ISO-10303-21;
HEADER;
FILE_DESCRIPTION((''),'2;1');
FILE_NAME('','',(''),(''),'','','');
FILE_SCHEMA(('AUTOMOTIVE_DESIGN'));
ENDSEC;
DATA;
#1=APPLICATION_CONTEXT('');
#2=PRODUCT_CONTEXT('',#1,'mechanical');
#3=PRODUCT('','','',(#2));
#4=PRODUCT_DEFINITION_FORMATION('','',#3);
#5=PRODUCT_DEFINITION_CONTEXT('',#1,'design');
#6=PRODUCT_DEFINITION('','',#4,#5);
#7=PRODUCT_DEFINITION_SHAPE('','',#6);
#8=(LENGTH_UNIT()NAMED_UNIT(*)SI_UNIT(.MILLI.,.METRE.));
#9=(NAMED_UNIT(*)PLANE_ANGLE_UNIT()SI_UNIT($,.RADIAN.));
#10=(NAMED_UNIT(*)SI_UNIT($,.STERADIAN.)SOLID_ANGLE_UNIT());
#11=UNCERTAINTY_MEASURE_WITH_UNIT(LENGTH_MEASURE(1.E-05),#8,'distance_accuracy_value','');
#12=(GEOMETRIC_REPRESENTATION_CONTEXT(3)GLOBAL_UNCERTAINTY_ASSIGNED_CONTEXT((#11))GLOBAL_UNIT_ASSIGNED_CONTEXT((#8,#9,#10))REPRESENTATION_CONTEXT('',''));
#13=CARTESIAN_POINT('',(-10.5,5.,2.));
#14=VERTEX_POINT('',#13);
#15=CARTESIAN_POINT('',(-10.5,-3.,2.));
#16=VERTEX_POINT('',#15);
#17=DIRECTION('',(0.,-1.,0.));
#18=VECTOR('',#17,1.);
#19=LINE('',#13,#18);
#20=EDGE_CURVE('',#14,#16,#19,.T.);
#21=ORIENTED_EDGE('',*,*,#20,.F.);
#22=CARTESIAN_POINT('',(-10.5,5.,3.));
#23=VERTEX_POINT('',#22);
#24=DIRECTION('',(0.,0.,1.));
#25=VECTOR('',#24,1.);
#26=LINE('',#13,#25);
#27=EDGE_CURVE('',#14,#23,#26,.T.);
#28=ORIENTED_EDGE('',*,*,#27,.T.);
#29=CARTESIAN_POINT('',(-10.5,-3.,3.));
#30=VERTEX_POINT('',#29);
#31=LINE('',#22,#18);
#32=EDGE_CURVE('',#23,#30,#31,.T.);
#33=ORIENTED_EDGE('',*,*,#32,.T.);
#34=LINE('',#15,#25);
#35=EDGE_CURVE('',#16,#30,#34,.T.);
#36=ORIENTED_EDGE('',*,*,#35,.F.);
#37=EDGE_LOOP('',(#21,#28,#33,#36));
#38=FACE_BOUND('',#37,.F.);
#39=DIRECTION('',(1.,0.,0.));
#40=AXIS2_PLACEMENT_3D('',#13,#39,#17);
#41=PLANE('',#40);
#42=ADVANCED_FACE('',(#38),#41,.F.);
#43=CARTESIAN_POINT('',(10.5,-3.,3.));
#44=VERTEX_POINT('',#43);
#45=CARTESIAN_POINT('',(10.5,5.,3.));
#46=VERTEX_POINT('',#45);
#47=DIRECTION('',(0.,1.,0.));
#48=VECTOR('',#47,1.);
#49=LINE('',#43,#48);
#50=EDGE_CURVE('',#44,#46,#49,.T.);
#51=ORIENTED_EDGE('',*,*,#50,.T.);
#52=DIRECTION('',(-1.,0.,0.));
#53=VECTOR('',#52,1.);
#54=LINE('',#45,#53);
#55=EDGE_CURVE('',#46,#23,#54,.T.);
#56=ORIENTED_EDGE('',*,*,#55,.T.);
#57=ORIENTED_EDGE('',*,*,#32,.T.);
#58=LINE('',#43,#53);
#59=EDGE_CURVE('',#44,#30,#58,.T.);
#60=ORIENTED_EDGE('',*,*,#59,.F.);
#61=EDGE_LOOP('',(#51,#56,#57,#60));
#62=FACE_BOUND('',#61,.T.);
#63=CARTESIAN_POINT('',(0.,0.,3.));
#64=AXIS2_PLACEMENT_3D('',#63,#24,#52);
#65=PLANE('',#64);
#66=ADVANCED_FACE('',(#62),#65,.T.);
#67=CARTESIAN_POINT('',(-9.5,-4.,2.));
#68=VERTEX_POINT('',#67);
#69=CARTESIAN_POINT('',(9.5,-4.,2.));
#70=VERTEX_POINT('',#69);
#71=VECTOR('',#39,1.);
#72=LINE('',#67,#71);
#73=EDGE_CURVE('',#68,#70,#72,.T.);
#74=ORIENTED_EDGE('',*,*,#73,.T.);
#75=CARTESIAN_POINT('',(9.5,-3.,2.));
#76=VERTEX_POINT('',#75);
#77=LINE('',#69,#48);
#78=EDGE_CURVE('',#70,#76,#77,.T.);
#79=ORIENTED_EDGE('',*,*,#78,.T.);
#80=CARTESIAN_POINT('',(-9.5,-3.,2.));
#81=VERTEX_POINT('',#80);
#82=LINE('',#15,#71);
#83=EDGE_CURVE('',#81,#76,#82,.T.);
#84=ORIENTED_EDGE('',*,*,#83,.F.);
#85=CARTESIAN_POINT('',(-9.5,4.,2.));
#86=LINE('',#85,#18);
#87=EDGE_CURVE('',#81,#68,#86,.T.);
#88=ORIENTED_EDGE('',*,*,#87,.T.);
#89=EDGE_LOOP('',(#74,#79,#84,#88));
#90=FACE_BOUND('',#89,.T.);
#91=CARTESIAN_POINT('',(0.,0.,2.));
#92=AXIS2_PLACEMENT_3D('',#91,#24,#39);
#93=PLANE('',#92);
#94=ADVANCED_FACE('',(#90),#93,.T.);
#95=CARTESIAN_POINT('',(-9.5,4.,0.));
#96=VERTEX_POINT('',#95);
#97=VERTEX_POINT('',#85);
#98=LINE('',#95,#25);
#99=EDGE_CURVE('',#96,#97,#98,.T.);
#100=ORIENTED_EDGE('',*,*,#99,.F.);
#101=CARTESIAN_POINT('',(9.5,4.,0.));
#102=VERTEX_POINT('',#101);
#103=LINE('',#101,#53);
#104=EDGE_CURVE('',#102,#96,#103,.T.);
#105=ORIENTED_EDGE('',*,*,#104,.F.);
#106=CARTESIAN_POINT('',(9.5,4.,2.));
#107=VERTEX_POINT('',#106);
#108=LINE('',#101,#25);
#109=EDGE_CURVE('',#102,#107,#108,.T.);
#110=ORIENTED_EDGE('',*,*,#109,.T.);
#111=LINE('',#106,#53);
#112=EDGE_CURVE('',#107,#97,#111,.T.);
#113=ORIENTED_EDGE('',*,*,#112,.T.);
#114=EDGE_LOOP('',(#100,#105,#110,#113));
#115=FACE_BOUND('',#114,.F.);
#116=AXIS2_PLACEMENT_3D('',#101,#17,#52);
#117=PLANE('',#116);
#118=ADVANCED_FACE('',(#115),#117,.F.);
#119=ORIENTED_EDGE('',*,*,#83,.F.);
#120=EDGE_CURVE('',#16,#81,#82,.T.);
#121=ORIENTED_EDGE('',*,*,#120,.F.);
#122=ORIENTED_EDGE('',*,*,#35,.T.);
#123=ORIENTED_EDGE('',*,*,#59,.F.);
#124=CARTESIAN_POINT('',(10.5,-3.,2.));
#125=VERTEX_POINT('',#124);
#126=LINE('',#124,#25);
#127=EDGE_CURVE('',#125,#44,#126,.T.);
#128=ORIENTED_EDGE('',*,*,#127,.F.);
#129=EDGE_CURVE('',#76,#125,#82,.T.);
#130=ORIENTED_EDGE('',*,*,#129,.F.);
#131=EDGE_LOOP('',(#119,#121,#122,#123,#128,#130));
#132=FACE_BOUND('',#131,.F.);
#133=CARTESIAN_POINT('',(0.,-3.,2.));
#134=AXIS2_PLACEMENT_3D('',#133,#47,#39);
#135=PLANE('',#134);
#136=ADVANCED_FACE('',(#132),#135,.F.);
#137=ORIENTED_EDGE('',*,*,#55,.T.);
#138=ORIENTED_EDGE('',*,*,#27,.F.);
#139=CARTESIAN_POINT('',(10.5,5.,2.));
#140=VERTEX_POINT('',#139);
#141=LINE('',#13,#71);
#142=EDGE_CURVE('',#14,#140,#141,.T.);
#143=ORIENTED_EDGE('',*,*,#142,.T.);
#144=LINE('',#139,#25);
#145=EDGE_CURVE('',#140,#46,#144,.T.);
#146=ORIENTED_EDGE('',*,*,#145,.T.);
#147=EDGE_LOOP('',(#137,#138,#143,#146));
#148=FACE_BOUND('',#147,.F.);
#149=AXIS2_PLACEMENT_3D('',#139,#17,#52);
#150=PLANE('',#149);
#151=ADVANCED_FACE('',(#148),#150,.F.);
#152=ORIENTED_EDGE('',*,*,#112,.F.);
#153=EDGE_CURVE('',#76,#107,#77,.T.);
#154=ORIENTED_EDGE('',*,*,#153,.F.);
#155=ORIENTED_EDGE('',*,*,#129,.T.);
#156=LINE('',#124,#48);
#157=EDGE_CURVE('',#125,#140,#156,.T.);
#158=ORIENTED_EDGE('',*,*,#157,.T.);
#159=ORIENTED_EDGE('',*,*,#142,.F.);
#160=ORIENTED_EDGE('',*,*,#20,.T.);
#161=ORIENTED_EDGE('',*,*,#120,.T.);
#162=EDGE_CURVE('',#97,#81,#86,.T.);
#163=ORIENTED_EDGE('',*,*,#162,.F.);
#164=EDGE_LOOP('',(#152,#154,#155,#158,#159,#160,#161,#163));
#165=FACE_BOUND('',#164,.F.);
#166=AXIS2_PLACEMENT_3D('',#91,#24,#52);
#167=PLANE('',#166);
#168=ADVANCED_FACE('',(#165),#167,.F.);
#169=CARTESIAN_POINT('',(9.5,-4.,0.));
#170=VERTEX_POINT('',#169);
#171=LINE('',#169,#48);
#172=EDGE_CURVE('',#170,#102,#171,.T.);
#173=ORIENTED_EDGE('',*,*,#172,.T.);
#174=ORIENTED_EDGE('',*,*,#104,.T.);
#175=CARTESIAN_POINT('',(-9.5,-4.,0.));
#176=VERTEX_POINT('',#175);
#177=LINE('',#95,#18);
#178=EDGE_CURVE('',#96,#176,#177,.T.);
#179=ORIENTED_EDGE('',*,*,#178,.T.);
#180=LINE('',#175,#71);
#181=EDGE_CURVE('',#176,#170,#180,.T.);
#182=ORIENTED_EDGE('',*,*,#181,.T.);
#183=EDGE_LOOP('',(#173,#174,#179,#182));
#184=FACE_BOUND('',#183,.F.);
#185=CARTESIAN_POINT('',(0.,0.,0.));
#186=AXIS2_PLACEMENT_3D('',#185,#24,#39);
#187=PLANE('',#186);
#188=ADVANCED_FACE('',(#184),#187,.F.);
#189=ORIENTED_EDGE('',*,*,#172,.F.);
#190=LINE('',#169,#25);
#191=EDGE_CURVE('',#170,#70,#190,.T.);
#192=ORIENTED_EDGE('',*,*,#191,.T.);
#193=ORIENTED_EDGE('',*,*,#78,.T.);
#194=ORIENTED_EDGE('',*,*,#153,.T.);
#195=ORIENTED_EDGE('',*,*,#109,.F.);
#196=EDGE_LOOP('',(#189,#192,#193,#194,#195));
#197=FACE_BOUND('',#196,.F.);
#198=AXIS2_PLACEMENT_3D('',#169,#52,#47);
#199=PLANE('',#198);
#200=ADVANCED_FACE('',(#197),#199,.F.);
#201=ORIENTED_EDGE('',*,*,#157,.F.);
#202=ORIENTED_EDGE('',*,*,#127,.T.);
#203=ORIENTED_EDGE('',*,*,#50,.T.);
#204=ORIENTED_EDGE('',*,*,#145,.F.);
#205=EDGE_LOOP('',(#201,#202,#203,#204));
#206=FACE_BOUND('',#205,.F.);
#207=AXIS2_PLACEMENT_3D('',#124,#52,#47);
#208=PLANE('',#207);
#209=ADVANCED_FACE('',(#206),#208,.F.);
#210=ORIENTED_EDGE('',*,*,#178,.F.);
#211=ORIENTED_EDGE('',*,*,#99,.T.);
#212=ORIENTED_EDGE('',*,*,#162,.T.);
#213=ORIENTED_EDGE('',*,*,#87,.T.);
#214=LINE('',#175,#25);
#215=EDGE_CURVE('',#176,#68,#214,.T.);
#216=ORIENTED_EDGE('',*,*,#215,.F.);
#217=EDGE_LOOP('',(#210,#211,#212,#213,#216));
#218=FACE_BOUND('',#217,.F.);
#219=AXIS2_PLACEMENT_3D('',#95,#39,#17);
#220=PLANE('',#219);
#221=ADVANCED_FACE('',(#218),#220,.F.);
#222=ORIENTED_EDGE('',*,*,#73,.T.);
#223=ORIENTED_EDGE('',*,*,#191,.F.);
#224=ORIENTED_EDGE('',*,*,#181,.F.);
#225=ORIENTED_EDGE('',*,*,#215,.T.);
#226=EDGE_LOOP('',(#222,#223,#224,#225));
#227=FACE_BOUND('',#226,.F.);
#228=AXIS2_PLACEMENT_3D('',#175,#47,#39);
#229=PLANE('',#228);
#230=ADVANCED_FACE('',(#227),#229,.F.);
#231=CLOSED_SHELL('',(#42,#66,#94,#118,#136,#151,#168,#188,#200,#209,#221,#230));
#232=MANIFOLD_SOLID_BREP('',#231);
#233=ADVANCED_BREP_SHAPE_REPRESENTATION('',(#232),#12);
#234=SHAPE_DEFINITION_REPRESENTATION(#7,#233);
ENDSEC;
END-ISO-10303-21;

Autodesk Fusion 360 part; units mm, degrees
sketch "Sketch1" plane through (0, 0, 0) normal (0, 0, 1) x (1, 0, 0)
  line L0 (9.5, 4) -> (-9.5, 4)
  line L1 (-9.5, 4) -> (-9.5, -4)
  line L2 (-9.5, -4) -> (9.5, -4)
  line L3 (9.5, -4) -> (9.5, 4)
  line L4 (9.5, 4) -> (-9.5, -4) construction
  line L5 (-9.5, 4) -> (9.5, -4) construction
  dimension "d1" = 19
  dimension "d2" = 8
extrude "Extrude1" add sketch "Sketch1" along normal blind 2
sketch "Sketch2" plane through (0, 0, 2) normal (0, 0, 1) x (-1, 0, 0)
  line L0 (-9.5, 4) -> (-9.5, -4)
  line L1 (-9.5, -4) -> (9.5, -4)
  line L2 (9.5, -4) -> (9.5, 4)
  line L3 (9.5, 4) -> (-9.5, 4)
  line L4 (0, 4) -> (0, 3)
  line L5 (0, 3) -> (0, -5)
  line L6 (-10.5, -5) -> (10.5, -5)
  line L7 (10.5, -5) -> (10.5, 3)
  line L8 (10.5, 3) -> (-10.5, 3)
  line L9 (-10.5, 3) -> (-10.5, -5)
  line L10 (-10.5, -5) -> (10.5, 3) construction
  line L11 (10.5, -5) -> (-10.5, 3) construction
  dimension "d5" = 21
extrude "Extrude2" add sketch "Sketch2" along normal blind 1 contours L0 L1 L5 L8 | L0 L1 L5 L6 L8 L9 | L1 L2 L5 L8 | L1 L2 L5 L6 L7 L8
